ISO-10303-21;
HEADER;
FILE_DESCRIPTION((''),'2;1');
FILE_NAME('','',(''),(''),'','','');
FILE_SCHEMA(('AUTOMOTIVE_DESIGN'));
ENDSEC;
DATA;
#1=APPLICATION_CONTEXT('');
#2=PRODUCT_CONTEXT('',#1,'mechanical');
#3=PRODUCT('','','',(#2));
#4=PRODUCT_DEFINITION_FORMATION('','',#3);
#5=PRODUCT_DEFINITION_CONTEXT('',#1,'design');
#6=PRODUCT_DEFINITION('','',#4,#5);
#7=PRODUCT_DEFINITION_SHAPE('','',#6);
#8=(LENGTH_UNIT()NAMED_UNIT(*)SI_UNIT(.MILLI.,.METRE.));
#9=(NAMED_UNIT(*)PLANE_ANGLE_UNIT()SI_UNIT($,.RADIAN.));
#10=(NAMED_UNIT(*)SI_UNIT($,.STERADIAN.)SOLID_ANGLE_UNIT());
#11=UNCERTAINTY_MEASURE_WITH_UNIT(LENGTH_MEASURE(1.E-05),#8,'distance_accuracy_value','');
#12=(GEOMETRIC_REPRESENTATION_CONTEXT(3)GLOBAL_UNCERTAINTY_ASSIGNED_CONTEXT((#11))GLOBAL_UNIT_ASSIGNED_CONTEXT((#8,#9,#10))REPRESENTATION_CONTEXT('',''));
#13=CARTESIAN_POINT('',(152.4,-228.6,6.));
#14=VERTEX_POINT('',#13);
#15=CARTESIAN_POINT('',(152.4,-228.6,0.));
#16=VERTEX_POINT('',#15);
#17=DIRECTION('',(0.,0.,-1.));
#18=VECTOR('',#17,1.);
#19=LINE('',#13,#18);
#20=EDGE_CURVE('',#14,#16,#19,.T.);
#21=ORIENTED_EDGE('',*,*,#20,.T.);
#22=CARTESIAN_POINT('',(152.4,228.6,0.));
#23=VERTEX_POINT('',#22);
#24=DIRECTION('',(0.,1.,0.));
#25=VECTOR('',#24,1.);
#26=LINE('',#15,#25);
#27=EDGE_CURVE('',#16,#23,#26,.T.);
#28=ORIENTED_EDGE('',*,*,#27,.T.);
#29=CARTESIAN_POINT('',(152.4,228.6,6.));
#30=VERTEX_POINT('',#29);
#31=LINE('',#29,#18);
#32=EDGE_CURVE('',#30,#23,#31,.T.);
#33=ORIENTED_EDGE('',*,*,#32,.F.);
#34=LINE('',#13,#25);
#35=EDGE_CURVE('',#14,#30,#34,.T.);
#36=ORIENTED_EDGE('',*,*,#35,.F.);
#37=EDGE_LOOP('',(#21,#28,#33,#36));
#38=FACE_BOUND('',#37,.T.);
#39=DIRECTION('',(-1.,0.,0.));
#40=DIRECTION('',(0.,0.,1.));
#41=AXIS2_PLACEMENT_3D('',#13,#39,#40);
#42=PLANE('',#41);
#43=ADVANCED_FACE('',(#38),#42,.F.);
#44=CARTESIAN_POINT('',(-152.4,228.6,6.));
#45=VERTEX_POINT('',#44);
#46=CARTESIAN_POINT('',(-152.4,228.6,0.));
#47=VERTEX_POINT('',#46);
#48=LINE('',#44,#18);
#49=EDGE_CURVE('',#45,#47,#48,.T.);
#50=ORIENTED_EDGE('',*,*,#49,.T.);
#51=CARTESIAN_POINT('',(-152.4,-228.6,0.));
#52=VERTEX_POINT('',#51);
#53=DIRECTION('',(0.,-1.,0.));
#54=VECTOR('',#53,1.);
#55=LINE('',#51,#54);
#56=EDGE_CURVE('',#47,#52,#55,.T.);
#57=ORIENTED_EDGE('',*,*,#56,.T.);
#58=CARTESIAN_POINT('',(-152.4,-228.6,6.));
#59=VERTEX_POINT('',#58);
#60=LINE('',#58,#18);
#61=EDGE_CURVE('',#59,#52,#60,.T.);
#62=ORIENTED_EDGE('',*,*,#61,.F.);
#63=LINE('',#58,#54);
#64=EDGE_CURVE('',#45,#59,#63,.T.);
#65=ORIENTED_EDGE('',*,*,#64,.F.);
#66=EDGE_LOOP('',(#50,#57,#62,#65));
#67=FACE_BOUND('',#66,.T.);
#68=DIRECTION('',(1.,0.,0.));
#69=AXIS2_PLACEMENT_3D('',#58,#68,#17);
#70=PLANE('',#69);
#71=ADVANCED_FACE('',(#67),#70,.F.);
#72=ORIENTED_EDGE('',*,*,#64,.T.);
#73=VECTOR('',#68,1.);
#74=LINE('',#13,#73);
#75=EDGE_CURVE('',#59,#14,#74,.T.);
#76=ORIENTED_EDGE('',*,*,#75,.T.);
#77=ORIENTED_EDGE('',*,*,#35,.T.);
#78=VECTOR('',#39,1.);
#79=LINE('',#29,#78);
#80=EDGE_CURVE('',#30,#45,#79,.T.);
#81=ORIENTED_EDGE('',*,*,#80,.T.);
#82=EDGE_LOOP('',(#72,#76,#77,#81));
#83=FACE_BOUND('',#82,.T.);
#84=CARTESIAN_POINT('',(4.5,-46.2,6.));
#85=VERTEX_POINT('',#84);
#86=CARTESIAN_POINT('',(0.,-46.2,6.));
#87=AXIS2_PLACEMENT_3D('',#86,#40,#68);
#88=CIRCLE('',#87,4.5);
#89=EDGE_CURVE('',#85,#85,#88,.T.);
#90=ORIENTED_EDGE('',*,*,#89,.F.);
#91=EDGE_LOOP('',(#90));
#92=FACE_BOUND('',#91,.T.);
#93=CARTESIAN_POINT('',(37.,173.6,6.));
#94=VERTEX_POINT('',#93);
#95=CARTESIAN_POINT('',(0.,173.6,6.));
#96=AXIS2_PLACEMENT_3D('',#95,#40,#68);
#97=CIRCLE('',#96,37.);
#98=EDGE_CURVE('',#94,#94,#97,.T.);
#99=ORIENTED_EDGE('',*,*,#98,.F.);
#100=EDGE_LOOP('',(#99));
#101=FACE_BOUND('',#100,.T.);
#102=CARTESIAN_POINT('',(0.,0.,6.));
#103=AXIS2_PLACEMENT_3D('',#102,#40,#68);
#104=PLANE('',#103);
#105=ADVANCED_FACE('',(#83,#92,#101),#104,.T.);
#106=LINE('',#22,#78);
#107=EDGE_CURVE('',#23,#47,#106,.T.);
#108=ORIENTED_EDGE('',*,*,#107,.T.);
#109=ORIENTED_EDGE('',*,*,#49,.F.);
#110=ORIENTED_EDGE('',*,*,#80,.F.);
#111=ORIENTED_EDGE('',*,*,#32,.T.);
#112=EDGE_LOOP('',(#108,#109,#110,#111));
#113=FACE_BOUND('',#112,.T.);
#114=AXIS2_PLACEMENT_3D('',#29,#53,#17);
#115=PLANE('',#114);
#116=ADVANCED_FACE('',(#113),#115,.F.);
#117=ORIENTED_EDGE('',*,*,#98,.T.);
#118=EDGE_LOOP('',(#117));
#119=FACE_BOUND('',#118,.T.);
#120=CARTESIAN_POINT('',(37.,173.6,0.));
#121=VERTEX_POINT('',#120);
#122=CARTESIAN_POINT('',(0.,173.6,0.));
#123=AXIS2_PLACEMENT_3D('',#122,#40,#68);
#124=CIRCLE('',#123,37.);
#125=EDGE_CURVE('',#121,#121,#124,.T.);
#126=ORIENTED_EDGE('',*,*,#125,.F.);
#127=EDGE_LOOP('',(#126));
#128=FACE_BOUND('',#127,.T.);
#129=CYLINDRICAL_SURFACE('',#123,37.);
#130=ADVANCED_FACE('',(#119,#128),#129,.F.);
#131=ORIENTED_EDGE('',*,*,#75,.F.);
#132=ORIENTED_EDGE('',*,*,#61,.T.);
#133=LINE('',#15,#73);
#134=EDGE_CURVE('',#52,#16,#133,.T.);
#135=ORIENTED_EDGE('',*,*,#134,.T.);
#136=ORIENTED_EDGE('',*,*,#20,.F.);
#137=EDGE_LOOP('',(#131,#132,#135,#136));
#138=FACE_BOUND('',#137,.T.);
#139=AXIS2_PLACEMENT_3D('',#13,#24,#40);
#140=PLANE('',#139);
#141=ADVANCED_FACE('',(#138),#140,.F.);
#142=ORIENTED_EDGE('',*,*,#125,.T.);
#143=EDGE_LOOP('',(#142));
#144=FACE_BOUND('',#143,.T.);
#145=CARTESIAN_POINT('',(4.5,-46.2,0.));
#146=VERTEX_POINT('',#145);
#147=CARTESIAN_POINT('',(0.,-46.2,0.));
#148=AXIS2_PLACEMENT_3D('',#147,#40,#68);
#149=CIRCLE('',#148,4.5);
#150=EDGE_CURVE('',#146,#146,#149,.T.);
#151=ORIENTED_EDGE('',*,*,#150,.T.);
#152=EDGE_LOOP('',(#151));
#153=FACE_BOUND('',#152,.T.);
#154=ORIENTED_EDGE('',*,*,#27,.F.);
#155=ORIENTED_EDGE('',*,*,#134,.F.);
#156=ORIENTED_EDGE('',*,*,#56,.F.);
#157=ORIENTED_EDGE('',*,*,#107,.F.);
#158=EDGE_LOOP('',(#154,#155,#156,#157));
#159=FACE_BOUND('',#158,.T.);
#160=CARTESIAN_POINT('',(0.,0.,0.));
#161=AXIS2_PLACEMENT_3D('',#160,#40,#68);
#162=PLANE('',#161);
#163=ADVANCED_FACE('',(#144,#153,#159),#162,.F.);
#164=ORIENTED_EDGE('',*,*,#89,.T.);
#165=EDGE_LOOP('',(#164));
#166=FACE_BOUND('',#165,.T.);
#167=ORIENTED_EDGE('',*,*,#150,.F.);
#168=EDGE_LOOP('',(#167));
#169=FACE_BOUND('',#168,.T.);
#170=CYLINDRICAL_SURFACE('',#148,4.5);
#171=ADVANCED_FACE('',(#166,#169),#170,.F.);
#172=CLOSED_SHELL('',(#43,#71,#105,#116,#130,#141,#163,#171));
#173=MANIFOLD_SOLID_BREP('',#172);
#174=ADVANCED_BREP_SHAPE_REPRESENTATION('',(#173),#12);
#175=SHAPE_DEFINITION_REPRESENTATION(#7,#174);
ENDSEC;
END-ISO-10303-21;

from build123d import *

# Parameters (mm, degrees)
SKETCH1_W           = 304.8
SKETCH1_H           = 457.2
BOSS_EXTRUDE1_DEPTH = 6
SKETCH2_R           = 37
CUT_EXTRUDE1_DEPTH  = 275.808515152
SKETCH3_R           = 4.5
CUT_EXTRUDE2_DEPTH  = 275.808515152


with BuildPart() as part:
    # Sketch1 → Boss-Extrude1 (new body)
    with BuildSketch(Plane.XY):
        Rectangle(SKETCH1_W, SKETCH1_H)
    extrude(amount=BOSS_EXTRUDE1_DEPTH)

    # Sketch2 → Cut-Extrude1 (cut, through all)
    with BuildSketch(Plane.XY.offset(6)):
        with Locations((0, 173.6)):
            Circle(SKETCH2_R)
    extrude(amount=-CUT_EXTRUDE1_DEPTH, mode=Mode.SUBTRACT)

    # Sketch3 → Cut-Extrude2 (cut, through all)
    with BuildSketch(Plane.XY.offset(6)):
        with Locations((0, -46.2)):
            Circle(SKETCH3_R)
    extrude(amount=-CUT_EXTRUDE2_DEPTH, mode=Mode.SUBTRACT)


solid = part.part
